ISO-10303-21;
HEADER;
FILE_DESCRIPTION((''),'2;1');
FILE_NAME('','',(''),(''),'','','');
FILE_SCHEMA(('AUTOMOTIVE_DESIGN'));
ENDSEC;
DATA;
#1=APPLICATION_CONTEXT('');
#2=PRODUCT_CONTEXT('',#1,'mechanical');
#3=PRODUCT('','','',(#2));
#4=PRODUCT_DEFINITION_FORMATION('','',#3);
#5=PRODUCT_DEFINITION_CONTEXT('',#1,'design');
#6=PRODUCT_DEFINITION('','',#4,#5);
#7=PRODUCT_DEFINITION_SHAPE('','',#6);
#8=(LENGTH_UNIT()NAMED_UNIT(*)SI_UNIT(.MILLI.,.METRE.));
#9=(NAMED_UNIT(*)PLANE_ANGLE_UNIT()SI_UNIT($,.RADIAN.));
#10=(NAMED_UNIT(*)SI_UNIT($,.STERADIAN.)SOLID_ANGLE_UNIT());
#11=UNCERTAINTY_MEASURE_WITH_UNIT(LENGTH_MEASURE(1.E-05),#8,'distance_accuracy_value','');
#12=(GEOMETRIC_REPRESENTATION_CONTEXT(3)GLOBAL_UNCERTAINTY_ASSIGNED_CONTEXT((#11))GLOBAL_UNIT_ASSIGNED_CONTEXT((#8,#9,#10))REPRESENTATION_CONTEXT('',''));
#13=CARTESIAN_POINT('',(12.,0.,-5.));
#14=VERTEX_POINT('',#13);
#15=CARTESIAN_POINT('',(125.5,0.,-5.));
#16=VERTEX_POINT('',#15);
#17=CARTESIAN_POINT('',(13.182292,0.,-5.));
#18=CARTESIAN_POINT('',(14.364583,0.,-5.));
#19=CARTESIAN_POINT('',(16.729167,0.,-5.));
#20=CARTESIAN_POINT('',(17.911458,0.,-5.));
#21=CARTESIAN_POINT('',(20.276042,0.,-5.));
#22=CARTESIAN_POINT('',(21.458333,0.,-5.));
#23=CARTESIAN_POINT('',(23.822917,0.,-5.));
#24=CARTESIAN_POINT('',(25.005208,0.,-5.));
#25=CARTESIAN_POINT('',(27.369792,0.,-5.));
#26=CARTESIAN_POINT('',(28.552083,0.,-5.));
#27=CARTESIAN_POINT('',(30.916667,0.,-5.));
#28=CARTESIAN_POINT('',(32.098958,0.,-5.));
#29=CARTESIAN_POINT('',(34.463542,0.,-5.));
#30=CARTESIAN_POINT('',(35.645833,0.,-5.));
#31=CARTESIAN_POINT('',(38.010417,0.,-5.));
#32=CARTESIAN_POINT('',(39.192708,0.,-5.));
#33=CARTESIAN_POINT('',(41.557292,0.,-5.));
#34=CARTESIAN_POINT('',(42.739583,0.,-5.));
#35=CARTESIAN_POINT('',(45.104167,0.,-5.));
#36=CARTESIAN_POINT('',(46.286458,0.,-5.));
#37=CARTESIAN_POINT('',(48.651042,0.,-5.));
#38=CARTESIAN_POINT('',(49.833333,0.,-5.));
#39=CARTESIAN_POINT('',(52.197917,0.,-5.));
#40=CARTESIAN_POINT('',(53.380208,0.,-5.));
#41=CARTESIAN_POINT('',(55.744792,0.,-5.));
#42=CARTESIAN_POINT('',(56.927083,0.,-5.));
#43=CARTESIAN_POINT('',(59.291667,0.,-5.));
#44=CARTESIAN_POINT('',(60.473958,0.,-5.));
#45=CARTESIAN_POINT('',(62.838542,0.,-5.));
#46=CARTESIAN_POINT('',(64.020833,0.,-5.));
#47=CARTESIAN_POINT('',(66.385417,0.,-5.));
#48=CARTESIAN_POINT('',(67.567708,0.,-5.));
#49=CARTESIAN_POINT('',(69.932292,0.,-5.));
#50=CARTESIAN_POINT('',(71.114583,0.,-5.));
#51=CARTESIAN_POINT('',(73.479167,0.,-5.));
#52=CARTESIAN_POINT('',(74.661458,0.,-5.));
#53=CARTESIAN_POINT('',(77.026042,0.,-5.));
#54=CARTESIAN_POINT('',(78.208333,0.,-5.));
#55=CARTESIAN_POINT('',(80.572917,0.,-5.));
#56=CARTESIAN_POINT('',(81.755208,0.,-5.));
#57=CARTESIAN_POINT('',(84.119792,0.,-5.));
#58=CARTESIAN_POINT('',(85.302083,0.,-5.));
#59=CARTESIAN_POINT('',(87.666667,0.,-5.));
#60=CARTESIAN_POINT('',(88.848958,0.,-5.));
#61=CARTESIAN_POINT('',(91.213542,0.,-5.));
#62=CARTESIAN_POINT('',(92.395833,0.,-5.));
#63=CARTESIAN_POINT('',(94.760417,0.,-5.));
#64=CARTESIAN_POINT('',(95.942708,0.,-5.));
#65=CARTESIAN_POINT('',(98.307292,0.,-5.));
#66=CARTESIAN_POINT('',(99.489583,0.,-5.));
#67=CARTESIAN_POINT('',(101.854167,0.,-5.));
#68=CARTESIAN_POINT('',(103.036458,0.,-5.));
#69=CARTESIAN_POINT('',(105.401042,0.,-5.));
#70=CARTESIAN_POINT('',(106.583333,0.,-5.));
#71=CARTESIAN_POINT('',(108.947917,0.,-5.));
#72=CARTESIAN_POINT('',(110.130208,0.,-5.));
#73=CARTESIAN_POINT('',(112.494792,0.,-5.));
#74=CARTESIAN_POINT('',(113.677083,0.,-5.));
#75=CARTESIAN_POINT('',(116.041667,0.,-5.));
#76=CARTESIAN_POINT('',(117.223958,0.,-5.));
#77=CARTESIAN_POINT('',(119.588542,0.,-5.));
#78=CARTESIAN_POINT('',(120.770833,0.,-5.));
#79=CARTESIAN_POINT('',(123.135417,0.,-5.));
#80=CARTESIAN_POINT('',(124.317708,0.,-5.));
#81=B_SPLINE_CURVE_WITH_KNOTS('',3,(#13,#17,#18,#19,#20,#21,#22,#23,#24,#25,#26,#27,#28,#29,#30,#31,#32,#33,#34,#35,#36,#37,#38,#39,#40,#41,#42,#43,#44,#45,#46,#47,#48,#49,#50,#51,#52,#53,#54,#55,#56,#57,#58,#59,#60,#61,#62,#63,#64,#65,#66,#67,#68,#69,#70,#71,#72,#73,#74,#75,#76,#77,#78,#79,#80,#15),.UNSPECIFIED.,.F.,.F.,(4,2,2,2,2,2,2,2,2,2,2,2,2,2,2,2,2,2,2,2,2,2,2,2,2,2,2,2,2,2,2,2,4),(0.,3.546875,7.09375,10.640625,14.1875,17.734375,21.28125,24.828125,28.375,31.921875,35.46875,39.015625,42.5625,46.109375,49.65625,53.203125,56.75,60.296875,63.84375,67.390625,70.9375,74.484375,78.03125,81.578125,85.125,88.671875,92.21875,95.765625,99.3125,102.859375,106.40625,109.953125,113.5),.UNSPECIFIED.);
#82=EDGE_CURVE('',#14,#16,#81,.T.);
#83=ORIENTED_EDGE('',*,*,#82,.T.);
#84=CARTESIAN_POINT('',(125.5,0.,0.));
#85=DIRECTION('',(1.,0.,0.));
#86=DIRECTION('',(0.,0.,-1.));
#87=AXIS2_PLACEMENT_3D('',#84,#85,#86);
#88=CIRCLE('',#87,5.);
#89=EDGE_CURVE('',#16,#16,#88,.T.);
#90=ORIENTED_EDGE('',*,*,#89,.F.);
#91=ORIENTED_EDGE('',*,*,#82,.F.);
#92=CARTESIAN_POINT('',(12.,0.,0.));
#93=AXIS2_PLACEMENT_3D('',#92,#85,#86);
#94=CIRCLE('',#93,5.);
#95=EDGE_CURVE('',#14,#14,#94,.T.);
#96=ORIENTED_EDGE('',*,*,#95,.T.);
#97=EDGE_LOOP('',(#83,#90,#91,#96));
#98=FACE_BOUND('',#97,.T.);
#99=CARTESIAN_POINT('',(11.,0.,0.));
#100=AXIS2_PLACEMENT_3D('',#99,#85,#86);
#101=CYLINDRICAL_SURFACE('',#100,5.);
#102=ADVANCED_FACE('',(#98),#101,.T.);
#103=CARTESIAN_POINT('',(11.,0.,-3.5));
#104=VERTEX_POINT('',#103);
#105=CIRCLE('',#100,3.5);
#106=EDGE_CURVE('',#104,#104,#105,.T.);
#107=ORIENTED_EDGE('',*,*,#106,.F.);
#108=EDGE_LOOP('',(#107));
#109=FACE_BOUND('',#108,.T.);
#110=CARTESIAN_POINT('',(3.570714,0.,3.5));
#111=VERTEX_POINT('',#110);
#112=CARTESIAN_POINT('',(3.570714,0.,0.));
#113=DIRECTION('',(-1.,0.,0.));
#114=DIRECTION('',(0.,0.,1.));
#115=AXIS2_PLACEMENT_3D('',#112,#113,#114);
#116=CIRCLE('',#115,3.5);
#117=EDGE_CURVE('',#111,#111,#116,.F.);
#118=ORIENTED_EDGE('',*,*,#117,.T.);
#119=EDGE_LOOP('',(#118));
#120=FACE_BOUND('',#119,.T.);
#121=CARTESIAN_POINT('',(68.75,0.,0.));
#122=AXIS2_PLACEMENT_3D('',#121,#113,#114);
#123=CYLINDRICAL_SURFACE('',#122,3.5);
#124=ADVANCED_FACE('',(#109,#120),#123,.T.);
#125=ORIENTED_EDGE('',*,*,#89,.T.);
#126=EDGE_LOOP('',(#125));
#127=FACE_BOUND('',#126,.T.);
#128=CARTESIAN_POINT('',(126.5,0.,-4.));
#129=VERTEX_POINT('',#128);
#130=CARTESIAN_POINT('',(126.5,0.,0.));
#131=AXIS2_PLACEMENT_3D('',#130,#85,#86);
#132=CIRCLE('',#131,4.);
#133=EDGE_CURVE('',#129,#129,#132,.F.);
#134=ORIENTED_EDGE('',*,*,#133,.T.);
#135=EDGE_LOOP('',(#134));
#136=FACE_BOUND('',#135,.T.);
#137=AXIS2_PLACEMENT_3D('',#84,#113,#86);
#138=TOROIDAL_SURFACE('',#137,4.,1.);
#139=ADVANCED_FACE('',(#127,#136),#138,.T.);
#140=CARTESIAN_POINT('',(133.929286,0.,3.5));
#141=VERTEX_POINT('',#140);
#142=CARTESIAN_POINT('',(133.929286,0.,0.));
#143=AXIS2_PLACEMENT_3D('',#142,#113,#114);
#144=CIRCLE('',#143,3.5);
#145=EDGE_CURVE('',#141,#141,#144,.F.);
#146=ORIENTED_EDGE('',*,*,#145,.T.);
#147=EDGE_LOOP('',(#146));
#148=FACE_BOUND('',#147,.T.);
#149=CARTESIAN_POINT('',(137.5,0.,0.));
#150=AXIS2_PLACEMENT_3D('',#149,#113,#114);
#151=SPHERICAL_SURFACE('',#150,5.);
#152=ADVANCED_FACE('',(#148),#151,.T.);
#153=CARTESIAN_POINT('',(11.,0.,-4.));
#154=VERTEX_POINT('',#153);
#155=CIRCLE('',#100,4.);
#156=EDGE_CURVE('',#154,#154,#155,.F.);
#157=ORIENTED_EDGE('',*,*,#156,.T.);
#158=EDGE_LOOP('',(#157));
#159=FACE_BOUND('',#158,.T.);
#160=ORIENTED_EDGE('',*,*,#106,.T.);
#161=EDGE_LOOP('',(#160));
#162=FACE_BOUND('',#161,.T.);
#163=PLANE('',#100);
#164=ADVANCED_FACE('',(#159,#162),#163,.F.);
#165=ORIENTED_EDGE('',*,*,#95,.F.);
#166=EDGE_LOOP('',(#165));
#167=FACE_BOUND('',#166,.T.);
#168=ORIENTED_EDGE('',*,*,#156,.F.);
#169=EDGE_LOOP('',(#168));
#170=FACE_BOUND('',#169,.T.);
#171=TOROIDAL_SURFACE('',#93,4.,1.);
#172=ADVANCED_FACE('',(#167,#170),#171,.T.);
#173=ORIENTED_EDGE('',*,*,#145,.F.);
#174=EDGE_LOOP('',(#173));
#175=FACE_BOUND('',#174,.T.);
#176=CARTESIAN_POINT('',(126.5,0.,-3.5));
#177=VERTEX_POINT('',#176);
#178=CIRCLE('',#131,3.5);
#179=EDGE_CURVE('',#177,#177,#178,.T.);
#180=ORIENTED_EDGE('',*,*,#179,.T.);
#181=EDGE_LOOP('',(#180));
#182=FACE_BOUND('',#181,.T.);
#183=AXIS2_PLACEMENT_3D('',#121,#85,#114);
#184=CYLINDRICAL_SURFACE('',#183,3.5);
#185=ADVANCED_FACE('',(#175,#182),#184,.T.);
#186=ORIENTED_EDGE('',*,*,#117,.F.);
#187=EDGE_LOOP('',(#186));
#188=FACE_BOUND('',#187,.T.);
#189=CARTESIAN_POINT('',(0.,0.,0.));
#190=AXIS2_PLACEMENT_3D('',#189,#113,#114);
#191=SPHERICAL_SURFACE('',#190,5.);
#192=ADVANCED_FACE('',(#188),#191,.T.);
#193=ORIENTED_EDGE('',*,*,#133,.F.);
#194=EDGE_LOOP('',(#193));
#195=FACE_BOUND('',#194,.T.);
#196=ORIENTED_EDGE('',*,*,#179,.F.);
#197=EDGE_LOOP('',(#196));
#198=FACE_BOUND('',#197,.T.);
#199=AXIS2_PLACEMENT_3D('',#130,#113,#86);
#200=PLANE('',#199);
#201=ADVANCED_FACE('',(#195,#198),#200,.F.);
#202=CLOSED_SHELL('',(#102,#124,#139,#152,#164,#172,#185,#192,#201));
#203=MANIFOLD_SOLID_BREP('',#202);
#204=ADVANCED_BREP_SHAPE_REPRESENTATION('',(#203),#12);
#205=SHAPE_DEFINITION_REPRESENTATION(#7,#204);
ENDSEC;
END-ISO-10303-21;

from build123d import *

# Parameters (mm, degrees)
SKETCH2_R           = 3.5
BOSS_EXTRUDE1_DEPTH = 68.75
SKETCH3_R           = 5
BOSS_EXTRUDE2_DEPTH = 57.75
FILLET1_R           = 1


with BuildPart() as part:
    # Sketch1 → Revolve1 (revolve)
    with BuildSketch(Plane(origin=(0, 0, 0), x_dir=(1, 0, 0), z_dir=(0, 1, 0))):
        with BuildLine():
            Line((0, 5), (0, -5))
            ThreePointArc((0, -5), (5, 0), (0, 5))
        make_face()
    revolve(axis=Axis((0, 0, -5), (0, 0, 1)))

    # Sketch2 → Boss-Extrude1 (add)
    with BuildSketch(Plane(origin=(0, 0, 0), x_dir=(0, 0, -1), z_dir=(1, 0, 0))):
        with Locations(Location((0, 0, 0), (0, 0, 180))):
            Circle(SKETCH2_R)
    extrude(amount=BOSS_EXTRUDE1_DEPTH)

    # Sketch3 → Boss-Extrude2 (add)
    with BuildSketch(Plane(origin=(68.75, 0, 0), x_dir=(0, 0, -1), z_dir=(1, 0, 0))):
        Circle(SKETCH3_R)
    extrude(amount=-BOSS_EXTRUDE2_DEPTH)

    # Fillet1
    fillet1_edges = [part.edges().sort_by_distance(p)[0] for p in [
        (11, 0, 5),
    ]]
    fillet(fillet1_edges, radius=FILLET1_R)

    # Mirror1: part across face


with BuildPart() as part_1:
    add(part.part)
    add(part.part.mirror(Plane(origin=(68.75, 0, 0), x_dir=(0, 0, 1), z_dir=(1, 0, 0))))


solid = part_1.part
